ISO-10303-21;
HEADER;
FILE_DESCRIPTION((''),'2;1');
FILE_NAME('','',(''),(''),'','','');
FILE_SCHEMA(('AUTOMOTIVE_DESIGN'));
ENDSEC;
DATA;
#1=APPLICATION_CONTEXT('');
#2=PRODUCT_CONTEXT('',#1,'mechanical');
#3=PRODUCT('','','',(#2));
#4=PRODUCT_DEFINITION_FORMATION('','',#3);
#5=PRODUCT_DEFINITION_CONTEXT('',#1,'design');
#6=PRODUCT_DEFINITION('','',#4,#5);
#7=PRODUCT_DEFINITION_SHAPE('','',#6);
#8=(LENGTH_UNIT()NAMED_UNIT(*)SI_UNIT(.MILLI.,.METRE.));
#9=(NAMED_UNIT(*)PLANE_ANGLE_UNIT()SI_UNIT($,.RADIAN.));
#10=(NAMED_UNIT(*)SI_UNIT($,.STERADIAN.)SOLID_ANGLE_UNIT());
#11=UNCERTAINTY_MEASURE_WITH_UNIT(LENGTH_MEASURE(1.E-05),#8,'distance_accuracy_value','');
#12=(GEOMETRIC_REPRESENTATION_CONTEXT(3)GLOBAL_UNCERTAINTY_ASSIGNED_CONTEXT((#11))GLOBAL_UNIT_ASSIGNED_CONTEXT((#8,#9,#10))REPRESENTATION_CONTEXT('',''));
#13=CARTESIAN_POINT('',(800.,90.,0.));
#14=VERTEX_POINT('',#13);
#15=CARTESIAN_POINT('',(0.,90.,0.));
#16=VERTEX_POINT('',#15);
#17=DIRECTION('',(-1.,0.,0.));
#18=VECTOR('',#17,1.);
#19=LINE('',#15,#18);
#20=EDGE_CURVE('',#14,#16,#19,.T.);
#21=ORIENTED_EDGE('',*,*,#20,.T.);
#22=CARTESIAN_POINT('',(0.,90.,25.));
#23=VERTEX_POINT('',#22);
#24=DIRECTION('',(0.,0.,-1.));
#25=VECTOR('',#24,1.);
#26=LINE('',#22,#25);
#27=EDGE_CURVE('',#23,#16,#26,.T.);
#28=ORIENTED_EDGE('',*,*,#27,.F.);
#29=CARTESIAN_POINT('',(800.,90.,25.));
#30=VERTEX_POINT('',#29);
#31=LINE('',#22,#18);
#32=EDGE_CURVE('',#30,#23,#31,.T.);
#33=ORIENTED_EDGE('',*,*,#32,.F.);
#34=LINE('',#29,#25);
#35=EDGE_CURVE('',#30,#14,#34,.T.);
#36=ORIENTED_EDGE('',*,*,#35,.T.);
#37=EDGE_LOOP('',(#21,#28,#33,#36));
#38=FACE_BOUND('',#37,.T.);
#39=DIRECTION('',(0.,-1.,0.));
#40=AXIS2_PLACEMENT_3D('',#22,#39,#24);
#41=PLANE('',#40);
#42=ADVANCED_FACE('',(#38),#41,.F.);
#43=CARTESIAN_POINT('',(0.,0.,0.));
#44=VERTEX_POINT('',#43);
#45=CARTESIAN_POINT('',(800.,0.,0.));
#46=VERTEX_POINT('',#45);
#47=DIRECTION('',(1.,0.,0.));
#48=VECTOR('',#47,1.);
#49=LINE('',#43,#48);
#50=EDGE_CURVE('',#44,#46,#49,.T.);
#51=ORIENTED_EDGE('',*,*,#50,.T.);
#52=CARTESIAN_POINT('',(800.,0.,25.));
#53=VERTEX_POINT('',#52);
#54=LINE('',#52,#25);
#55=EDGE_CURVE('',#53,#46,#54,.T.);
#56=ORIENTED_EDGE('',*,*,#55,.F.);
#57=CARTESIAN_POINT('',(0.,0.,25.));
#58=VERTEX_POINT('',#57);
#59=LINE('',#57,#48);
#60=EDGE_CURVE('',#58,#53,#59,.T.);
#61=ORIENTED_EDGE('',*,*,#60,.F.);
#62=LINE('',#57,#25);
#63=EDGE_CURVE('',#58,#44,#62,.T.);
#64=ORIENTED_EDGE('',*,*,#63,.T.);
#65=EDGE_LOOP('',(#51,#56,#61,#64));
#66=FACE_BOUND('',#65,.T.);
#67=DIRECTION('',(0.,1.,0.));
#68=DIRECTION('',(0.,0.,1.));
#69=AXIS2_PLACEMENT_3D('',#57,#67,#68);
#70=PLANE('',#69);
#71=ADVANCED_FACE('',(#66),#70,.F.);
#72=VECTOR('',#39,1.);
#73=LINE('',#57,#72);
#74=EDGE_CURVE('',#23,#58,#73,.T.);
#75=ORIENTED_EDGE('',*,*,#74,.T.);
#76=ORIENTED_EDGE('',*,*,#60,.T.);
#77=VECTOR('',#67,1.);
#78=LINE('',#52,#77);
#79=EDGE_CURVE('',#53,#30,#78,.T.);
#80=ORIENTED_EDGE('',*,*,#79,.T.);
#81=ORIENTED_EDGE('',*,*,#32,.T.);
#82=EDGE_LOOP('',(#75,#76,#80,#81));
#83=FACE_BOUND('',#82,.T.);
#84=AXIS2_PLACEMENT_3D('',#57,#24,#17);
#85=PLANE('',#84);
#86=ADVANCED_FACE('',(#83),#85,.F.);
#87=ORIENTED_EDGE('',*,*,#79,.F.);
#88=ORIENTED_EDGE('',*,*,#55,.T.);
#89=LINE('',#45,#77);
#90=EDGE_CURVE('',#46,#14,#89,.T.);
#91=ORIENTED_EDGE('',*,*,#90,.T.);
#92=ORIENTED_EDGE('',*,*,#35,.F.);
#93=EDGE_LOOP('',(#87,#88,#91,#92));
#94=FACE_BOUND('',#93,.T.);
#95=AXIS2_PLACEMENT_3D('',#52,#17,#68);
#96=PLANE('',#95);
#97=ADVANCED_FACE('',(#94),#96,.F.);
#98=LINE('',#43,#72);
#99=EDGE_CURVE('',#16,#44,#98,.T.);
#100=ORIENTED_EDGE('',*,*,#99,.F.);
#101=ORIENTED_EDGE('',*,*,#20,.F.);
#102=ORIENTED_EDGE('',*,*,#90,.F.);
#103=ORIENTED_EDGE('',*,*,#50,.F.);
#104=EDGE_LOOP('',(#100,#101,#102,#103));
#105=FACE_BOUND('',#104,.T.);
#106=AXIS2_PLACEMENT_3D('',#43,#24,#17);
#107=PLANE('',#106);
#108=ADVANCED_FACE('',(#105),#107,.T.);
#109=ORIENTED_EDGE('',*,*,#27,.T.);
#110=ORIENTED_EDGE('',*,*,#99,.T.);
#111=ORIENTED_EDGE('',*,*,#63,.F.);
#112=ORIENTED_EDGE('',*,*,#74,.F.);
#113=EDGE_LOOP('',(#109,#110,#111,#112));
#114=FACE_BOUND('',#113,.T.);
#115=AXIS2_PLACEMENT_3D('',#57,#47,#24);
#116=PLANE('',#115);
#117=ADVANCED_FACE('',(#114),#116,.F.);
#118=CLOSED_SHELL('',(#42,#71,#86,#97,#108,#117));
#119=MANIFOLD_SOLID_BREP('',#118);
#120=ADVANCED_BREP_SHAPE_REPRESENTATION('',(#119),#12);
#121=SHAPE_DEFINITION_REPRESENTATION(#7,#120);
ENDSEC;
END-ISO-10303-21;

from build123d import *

# Parameters (mm, degrees)
SKETCH1_W           = 800
SKETCH1_H           = 90
BOSS_EXTRUDE1_DEPTH = 25


with BuildPart() as part:
    # Sketch1 → Boss-Extrude1 (new body)
    with BuildSketch(Plane.XY):
        with Locations((400, 45)):
            Rectangle(SKETCH1_W, SKETCH1_H)
    extrude(amount=BOSS_EXTRUDE1_DEPTH)


solid = part.part
